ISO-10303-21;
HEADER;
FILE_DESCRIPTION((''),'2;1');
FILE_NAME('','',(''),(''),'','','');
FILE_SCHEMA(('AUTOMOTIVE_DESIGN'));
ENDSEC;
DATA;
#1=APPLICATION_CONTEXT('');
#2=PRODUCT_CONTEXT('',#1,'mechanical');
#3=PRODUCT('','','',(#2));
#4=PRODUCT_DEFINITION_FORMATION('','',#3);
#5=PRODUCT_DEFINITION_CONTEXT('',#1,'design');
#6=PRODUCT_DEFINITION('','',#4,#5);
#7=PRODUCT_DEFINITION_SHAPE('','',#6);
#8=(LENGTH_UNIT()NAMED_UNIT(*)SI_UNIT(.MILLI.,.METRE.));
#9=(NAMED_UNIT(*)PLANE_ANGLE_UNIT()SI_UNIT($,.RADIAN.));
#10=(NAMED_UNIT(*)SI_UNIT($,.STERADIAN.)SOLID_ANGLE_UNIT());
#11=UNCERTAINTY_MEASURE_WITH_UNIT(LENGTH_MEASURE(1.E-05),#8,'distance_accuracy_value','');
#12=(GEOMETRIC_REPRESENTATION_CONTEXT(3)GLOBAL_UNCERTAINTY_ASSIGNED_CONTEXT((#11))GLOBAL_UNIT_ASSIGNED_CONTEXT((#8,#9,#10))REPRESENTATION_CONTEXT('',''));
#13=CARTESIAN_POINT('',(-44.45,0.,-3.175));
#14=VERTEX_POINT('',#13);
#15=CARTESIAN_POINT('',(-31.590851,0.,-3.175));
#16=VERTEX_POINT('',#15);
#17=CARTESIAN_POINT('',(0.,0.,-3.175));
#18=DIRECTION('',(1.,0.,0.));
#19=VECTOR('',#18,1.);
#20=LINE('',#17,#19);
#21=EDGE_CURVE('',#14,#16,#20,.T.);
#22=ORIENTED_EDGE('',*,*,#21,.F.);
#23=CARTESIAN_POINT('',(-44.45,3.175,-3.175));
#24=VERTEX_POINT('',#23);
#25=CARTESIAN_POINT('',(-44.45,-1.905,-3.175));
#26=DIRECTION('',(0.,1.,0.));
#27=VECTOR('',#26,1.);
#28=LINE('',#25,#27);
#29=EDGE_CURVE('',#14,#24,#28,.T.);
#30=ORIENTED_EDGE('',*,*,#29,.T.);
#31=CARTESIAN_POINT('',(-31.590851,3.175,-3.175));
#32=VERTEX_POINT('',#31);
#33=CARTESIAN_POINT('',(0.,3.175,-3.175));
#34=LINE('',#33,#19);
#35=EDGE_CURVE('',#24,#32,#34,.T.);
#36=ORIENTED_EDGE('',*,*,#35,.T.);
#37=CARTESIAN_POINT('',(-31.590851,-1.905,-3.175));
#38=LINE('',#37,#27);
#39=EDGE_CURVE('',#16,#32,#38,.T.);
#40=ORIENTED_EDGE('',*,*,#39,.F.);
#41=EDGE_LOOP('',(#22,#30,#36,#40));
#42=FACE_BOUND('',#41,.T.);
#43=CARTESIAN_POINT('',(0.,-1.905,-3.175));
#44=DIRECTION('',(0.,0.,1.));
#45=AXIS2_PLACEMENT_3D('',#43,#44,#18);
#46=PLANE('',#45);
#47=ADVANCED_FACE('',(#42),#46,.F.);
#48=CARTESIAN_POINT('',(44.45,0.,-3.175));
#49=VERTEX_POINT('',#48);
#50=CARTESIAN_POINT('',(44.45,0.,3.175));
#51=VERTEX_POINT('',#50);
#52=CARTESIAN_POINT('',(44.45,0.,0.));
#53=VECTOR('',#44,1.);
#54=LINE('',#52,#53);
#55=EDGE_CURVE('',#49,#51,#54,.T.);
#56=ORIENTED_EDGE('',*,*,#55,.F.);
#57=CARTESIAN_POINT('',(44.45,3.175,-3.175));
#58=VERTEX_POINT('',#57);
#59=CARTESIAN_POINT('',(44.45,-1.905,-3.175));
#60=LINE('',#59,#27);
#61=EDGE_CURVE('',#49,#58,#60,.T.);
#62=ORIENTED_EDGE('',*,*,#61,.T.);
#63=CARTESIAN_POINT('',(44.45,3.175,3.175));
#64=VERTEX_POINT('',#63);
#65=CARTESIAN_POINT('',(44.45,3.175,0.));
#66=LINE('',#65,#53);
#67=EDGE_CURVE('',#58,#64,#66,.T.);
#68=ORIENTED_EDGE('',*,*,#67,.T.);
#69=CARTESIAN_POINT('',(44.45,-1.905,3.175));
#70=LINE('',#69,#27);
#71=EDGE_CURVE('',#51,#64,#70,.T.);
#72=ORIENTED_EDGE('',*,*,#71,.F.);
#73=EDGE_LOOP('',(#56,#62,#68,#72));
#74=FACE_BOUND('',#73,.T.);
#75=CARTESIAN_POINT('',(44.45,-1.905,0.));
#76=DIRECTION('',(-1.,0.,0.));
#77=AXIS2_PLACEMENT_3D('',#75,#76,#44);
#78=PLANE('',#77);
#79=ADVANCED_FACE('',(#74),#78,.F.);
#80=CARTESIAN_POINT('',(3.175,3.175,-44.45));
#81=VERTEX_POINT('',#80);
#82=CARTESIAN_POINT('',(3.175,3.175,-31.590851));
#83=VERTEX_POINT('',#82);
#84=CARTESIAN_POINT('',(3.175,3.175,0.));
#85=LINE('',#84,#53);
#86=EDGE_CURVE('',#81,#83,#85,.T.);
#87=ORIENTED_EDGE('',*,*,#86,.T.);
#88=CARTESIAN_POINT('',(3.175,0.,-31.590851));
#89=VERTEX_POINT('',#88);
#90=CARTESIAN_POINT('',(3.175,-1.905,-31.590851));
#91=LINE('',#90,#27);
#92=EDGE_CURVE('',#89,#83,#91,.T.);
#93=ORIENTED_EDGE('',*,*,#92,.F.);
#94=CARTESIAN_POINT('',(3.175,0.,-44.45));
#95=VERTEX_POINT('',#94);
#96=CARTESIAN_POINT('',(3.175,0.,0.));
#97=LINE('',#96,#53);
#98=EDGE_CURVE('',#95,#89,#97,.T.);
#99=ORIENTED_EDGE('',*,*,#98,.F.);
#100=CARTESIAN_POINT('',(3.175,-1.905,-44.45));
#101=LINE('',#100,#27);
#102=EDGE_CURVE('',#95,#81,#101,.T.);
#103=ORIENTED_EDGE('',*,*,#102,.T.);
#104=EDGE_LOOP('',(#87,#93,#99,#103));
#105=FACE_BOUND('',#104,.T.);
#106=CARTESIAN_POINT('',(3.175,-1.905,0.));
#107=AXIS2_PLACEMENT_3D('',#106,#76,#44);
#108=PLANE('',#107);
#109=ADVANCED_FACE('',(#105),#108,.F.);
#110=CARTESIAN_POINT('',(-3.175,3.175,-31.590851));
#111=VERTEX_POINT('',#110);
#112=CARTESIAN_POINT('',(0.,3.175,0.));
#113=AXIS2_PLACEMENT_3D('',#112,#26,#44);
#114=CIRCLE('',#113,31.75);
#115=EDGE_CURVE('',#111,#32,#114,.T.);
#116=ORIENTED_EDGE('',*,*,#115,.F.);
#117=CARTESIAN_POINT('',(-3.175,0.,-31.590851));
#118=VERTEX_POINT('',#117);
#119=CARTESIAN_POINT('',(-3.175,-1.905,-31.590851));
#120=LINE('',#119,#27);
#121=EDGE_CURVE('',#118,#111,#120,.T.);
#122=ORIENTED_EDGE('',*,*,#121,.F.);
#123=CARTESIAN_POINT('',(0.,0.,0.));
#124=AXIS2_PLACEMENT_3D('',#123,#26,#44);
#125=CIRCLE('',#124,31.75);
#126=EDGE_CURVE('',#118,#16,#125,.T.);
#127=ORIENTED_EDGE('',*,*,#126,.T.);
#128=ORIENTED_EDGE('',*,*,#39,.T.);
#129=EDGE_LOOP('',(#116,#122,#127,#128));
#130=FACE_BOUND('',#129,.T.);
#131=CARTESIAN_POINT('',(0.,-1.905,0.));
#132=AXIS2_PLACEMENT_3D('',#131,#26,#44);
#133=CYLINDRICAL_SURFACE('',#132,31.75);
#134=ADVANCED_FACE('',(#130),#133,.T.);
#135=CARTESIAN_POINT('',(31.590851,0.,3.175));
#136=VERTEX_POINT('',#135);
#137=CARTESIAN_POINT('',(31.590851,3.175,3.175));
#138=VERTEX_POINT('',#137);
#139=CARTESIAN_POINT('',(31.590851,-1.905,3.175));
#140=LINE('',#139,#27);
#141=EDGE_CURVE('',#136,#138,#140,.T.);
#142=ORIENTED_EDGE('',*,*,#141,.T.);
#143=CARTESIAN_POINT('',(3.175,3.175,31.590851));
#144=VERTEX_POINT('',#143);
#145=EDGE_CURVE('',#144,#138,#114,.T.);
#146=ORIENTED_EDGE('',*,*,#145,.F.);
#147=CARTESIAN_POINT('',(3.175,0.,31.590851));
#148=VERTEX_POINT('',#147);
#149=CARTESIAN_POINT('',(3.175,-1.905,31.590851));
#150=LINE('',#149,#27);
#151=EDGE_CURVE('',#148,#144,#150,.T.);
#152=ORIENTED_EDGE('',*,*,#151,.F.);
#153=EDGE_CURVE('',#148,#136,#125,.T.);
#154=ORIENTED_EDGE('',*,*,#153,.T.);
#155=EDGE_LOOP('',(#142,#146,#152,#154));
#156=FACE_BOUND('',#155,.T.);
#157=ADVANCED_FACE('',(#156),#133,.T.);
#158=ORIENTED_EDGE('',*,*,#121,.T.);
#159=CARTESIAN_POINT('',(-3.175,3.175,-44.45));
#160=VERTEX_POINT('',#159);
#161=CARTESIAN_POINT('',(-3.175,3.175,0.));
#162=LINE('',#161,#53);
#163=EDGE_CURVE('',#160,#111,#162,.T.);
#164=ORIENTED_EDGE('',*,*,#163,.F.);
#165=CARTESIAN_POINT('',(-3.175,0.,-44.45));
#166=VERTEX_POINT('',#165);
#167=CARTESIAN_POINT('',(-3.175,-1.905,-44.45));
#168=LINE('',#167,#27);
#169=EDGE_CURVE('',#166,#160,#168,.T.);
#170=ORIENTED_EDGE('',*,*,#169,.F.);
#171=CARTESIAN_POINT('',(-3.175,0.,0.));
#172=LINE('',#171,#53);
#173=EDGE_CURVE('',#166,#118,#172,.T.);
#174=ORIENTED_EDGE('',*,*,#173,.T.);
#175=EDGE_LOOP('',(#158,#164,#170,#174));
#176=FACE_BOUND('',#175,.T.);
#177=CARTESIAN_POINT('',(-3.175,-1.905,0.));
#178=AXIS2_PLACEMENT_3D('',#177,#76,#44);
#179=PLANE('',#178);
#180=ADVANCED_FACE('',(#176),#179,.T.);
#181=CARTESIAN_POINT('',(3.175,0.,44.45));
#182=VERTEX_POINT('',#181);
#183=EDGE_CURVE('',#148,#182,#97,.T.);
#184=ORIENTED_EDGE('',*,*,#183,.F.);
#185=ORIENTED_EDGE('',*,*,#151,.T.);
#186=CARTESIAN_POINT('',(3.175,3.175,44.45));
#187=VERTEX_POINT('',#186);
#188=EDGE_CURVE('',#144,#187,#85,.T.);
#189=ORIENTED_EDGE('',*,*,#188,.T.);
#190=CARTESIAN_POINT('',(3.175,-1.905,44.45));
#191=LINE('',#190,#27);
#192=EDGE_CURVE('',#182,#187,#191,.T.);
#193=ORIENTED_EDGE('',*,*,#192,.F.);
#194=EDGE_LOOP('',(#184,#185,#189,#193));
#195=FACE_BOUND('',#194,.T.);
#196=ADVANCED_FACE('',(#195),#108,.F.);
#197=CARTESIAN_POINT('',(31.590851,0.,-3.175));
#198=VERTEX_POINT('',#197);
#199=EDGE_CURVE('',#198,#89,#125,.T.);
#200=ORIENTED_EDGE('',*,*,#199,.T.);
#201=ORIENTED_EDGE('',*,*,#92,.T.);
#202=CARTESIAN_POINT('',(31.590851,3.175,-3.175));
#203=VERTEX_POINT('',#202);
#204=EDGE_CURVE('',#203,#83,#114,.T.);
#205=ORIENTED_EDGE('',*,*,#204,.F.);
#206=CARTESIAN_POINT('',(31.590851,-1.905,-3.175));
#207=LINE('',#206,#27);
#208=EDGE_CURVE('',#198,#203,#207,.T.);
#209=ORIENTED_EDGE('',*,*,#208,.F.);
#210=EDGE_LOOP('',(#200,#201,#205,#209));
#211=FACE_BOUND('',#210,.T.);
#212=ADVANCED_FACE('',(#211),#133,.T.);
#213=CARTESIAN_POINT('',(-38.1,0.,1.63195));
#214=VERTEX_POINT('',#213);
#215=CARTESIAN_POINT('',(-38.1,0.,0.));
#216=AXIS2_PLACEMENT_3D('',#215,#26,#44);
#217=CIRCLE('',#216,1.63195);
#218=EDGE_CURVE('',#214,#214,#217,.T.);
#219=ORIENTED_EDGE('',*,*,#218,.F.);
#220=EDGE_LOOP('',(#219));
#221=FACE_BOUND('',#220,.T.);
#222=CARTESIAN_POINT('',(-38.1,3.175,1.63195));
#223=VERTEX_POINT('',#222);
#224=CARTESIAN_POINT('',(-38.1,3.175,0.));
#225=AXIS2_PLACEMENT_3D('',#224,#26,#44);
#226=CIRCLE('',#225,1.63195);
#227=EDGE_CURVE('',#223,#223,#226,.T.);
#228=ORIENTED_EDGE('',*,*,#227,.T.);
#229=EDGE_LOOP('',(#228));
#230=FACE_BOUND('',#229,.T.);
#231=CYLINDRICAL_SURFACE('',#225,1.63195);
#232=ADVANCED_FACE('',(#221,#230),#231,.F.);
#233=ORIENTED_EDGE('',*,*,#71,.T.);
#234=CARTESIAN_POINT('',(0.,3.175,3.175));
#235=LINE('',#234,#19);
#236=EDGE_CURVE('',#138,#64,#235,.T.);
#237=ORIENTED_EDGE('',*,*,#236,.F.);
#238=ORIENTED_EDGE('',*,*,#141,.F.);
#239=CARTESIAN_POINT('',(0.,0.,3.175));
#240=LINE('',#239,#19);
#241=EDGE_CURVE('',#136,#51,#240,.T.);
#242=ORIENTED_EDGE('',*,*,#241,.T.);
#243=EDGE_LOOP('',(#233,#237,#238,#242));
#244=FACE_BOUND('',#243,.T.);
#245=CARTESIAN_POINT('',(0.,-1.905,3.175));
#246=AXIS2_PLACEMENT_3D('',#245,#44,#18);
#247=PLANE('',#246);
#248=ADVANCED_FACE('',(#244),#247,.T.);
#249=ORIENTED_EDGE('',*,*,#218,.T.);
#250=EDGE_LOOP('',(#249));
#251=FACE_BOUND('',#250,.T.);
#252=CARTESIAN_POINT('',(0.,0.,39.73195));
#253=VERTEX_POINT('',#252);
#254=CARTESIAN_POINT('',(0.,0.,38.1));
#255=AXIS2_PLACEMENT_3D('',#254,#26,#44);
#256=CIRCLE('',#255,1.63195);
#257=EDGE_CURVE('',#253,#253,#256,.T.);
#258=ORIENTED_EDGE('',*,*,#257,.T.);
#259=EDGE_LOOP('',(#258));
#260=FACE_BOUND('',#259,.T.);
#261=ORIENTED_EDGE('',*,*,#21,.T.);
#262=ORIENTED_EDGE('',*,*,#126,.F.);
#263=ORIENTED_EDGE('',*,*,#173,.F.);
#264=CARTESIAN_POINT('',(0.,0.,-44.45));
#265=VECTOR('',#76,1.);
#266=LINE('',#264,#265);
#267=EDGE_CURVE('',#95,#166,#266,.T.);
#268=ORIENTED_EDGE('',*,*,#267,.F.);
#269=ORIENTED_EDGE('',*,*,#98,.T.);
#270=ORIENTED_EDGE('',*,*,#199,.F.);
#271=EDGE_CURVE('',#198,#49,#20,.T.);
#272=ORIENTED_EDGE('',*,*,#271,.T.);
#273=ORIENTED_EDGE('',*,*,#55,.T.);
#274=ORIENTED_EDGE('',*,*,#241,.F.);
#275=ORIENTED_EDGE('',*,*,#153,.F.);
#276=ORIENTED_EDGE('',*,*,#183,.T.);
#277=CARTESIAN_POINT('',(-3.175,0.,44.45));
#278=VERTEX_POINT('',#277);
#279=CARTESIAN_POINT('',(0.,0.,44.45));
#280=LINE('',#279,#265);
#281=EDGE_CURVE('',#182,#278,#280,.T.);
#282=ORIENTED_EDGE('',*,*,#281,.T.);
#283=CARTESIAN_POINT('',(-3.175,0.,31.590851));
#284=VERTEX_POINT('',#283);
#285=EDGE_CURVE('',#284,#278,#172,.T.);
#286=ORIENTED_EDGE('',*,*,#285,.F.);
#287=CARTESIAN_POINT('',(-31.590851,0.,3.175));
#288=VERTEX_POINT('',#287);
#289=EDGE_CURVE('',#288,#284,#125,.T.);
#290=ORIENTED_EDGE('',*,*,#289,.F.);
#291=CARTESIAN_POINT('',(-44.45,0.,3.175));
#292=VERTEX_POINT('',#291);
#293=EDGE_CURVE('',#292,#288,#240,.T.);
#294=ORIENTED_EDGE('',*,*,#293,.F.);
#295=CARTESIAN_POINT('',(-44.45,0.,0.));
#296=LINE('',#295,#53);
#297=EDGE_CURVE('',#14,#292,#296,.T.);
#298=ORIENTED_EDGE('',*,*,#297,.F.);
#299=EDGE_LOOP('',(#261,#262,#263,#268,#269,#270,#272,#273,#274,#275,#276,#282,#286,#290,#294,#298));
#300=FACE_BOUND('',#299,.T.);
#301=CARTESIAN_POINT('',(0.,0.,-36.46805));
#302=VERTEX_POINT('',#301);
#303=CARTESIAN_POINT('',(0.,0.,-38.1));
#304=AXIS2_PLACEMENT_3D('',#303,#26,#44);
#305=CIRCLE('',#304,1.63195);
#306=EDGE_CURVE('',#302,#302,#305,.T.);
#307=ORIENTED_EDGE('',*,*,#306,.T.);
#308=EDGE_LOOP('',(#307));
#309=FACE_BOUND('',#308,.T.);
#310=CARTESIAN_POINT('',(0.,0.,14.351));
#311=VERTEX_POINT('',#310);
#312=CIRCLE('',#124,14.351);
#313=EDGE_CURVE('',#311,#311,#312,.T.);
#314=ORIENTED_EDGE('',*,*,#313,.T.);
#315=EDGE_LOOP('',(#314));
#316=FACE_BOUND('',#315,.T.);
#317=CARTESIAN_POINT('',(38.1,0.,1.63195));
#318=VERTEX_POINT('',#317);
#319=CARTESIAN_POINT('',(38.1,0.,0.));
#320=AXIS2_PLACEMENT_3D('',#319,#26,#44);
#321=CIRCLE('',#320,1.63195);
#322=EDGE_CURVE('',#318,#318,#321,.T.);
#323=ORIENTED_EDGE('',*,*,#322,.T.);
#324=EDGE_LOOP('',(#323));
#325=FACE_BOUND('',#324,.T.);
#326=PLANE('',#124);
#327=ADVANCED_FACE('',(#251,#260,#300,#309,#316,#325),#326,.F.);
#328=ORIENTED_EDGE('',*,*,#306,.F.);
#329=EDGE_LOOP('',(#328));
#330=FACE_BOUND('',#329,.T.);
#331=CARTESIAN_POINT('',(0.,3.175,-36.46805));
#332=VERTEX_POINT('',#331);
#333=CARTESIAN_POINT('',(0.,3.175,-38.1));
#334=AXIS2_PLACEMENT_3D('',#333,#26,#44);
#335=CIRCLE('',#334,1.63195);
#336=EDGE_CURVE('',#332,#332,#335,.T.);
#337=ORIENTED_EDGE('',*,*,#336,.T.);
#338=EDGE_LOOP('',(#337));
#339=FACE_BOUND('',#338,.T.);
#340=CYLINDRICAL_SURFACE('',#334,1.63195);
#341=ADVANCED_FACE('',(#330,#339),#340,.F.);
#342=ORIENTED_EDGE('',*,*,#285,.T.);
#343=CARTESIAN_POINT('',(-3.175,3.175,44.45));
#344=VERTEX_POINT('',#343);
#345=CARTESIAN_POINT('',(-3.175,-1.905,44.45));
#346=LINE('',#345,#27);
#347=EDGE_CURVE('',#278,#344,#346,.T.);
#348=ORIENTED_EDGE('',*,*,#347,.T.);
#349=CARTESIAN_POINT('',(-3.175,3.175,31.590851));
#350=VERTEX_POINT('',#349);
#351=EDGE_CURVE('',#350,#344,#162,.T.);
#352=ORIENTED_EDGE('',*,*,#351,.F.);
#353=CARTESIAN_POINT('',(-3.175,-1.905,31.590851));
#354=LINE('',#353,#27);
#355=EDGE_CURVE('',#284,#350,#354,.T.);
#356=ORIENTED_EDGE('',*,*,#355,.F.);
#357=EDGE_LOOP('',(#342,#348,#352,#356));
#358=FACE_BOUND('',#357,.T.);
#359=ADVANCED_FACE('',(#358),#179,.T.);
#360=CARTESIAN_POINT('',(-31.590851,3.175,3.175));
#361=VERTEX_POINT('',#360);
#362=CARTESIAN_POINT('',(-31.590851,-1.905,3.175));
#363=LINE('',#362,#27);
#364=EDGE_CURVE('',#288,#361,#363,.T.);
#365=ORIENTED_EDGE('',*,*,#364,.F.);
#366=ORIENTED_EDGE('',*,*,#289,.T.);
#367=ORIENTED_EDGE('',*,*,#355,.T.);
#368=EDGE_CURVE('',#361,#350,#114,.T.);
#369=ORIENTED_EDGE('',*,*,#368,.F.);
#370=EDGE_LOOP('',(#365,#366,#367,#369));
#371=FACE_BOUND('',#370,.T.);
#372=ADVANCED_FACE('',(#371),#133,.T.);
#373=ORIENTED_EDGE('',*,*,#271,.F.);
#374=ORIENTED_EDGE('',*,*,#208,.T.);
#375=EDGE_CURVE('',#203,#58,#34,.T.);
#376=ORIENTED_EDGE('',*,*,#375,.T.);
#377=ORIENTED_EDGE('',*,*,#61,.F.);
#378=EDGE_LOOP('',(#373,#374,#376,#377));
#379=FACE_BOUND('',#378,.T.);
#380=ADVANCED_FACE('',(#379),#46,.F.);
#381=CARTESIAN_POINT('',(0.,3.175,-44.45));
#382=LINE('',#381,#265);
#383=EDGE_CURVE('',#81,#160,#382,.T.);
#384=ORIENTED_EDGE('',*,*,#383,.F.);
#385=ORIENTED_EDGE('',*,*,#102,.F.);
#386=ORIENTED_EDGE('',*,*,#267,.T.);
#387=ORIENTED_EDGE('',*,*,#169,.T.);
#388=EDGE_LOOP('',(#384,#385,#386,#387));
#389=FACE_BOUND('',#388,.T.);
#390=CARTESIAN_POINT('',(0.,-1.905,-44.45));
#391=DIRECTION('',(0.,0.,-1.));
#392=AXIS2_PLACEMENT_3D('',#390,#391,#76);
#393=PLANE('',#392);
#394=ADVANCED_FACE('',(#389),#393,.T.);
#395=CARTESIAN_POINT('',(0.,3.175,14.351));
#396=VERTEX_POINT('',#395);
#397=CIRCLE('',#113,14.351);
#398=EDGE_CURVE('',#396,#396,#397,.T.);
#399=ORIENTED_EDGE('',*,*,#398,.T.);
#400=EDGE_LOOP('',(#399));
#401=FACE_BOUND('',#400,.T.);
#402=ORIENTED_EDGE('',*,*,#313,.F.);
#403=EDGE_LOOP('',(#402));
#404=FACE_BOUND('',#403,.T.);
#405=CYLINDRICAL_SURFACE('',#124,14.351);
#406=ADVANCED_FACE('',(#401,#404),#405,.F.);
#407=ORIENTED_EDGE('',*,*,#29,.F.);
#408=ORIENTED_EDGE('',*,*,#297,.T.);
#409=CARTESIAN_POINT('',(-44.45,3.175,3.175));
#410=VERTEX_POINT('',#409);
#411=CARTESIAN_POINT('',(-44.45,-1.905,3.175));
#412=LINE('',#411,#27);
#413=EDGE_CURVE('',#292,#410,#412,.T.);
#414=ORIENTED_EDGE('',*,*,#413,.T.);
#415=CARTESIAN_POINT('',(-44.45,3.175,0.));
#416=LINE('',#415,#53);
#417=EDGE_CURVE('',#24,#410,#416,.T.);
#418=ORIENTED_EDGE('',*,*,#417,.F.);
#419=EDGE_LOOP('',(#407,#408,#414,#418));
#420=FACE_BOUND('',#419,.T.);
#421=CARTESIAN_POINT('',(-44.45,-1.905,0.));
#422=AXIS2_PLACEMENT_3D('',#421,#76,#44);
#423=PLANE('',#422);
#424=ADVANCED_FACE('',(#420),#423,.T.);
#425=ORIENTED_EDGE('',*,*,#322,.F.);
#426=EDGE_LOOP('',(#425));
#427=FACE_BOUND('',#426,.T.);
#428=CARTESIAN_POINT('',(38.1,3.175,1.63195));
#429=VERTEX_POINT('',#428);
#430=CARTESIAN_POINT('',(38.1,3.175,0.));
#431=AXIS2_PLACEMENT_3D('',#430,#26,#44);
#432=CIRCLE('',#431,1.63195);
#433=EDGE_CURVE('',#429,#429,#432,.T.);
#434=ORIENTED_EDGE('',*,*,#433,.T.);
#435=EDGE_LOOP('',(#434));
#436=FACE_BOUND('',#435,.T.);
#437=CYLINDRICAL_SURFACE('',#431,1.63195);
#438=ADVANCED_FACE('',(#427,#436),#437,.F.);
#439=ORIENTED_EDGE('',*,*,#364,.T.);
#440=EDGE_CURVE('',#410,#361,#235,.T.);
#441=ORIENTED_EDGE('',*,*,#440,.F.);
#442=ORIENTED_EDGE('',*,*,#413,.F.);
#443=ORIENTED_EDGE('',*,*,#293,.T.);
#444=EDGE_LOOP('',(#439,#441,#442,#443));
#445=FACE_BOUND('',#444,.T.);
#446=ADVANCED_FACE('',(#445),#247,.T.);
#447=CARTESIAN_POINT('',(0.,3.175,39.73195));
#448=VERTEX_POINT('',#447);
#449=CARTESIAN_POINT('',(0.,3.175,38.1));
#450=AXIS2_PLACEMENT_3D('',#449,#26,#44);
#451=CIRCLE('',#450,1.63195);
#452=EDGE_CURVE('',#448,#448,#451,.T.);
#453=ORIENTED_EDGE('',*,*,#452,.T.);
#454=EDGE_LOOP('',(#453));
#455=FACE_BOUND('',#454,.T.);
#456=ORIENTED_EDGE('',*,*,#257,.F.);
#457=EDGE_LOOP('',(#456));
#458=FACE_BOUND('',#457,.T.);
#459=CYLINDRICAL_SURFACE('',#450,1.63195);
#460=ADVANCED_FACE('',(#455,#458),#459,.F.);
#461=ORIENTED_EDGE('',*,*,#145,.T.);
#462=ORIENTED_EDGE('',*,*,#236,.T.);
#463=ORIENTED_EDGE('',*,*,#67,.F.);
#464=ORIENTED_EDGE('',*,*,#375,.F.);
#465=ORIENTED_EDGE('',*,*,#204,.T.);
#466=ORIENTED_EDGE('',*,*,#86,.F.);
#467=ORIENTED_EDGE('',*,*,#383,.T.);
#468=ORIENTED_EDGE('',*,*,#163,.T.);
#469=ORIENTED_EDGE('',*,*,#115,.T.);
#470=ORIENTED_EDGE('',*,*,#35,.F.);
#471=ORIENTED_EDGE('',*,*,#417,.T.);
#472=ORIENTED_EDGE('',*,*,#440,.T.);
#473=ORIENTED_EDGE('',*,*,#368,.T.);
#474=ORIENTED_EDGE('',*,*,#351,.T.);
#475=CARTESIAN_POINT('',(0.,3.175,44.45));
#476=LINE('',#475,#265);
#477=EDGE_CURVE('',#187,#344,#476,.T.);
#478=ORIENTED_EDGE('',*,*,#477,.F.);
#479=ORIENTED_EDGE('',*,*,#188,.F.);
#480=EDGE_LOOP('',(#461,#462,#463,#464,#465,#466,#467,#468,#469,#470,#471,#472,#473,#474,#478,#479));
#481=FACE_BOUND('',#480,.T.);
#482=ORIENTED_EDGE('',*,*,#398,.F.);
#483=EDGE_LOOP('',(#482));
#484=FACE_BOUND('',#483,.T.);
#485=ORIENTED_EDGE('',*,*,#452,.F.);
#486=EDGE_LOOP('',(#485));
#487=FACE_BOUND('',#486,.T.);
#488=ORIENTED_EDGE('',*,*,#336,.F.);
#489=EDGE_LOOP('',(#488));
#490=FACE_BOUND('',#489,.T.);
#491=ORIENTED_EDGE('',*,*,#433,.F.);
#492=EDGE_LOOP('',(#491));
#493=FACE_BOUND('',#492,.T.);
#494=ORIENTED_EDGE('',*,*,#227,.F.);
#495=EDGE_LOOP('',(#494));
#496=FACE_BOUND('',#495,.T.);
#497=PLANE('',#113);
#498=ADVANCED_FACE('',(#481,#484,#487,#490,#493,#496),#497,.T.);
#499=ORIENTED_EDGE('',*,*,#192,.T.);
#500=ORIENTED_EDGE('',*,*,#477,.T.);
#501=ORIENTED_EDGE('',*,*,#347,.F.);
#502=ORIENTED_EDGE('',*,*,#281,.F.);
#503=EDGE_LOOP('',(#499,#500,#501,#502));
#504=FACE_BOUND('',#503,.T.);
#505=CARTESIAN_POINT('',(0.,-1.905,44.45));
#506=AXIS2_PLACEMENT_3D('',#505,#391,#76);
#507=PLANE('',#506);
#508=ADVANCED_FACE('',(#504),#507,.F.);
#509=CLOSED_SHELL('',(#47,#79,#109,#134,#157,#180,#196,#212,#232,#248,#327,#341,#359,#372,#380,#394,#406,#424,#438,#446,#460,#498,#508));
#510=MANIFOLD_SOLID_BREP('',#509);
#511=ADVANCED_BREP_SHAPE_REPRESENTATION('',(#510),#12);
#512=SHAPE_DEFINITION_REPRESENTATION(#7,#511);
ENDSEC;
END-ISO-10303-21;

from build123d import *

# Parameters (mm, degrees)
SKETCH1_R           = 46.99
BOSS_EXTRUDE1_DEPTH = 3.175
SKETCH2_R           = 14.351
CUT_EXTRUDE1_DEPTH  = 3.175
CUT_EXTRUDE2_START  = -5.08
SKETCH5_R           = 46.99
CUT_EXTRUDE2_DEPTH  = 5.08
CIRPATTERN1_COUNT   = 4


with BuildPart() as part:
    # Sketch1 → Boss-Extrude1 (new body)
    with BuildSketch(Plane(origin=(0, 0, 0), x_dir=(1, 0, 0), z_dir=(0, 1, 0))):
        with Locations(Location((0, 0, 0), (0, 0, 270))):
            Circle(SKETCH1_R)
    extrude(amount=BOSS_EXTRUDE1_DEPTH)

    # Sketch2 → Cut-Extrude1 (cut)
    with BuildSketch(Plane(origin=(0, 3.175, 0), x_dir=(1, 0, 0), z_dir=(0, 1, 0))):
        with Locations(Location((0, 0, 0), (0, 0, 270))):
            Circle(SKETCH2_R)
    extrude(amount=-CUT_EXTRUDE1_DEPTH, mode=Mode.SUBTRACT)

    # Sketch5 → Cut-Extrude2 (cut)
    with BuildSketch(Plane(origin=(0, 3.175, 0), x_dir=(1, 0, 0), z_dir=(0, 1, 0)).offset(CUT_EXTRUDE2_START)):
        Circle(SKETCH5_R)
        with BuildLine():
            Line((31.590851128, 3.175), (44.45, 3.175))
            Line((44.45, 3.175), (44.45, -3.175))
            Line((44.45, -3.175), (31.590851128, -3.175))
            ThreePointArc((31.590851128, -3.175), (22.450640303, -22.450640303), (3.175, -31.590851128))
            Line((3.175, -31.590851128), (3.175, -44.45))
            Line((3.175, -44.45), (-3.175, -44.45))
            Line((-3.175, -44.45), (-3.175, -31.590851128))
            ThreePointArc((-3.175, -31.590851128), (-22.450640303, -22.450640303), (-31.590851128, -3.175))
            Line((-31.590851128, -3.175), (-44.45, -3.175))
            Line((-44.45, -3.175), (-44.45, 3.175))
            Line((-44.45, 3.175), (-31.590851128, 3.175))
            ThreePointArc((-31.590851128, 3.175), (-22.450640303, 22.450640303), (-3.175, 31.590851128))
            Line((-3.175, 31.590851128), (-3.175, 44.45))
            Line((-3.175, 44.45), (3.175, 44.45))
            Line((3.175, 44.45), (3.175, 31.590851128))
            ThreePointArc((3.175, 31.590851128), (22.450640303, 22.450640303), (31.590851128, 3.175))
        make_face(mode=Mode.SUBTRACT)
    extrude(amount=CUT_EXTRUDE2_DEPTH, mode=Mode.SUBTRACT)

    # Sketch6 → #4 Clearance Hole1 (revolve, cut)
    with BuildSketch(Plane(origin=(0, 3.175, -38.1), x_dir=(0, 0, 1), z_dir=(1, 0, 0))):
        Polygon((0, 0), (0, 11.140574487), (1.63195, 10.16), (1.63195, 0), align=None)
    f_4_clearance_hole1 = revolve(axis=Axis((0, 9.525, -38.1), (0, -1, 0)), mode=Mode.SUBTRACT)

    # CirPattern1: #4 Clearance Hole1 ×4 about axis
    cirpattern1_axis = Axis((0, 0, 0), (0, 1, 0))
    for i in range(1, CIRPATTERN1_COUNT):
        add(f_4_clearance_hole1.rotate(cirpattern1_axis, i * 360 / CIRPATTERN1_COUNT), mode=Mode.SUBTRACT)


solid = part.part
